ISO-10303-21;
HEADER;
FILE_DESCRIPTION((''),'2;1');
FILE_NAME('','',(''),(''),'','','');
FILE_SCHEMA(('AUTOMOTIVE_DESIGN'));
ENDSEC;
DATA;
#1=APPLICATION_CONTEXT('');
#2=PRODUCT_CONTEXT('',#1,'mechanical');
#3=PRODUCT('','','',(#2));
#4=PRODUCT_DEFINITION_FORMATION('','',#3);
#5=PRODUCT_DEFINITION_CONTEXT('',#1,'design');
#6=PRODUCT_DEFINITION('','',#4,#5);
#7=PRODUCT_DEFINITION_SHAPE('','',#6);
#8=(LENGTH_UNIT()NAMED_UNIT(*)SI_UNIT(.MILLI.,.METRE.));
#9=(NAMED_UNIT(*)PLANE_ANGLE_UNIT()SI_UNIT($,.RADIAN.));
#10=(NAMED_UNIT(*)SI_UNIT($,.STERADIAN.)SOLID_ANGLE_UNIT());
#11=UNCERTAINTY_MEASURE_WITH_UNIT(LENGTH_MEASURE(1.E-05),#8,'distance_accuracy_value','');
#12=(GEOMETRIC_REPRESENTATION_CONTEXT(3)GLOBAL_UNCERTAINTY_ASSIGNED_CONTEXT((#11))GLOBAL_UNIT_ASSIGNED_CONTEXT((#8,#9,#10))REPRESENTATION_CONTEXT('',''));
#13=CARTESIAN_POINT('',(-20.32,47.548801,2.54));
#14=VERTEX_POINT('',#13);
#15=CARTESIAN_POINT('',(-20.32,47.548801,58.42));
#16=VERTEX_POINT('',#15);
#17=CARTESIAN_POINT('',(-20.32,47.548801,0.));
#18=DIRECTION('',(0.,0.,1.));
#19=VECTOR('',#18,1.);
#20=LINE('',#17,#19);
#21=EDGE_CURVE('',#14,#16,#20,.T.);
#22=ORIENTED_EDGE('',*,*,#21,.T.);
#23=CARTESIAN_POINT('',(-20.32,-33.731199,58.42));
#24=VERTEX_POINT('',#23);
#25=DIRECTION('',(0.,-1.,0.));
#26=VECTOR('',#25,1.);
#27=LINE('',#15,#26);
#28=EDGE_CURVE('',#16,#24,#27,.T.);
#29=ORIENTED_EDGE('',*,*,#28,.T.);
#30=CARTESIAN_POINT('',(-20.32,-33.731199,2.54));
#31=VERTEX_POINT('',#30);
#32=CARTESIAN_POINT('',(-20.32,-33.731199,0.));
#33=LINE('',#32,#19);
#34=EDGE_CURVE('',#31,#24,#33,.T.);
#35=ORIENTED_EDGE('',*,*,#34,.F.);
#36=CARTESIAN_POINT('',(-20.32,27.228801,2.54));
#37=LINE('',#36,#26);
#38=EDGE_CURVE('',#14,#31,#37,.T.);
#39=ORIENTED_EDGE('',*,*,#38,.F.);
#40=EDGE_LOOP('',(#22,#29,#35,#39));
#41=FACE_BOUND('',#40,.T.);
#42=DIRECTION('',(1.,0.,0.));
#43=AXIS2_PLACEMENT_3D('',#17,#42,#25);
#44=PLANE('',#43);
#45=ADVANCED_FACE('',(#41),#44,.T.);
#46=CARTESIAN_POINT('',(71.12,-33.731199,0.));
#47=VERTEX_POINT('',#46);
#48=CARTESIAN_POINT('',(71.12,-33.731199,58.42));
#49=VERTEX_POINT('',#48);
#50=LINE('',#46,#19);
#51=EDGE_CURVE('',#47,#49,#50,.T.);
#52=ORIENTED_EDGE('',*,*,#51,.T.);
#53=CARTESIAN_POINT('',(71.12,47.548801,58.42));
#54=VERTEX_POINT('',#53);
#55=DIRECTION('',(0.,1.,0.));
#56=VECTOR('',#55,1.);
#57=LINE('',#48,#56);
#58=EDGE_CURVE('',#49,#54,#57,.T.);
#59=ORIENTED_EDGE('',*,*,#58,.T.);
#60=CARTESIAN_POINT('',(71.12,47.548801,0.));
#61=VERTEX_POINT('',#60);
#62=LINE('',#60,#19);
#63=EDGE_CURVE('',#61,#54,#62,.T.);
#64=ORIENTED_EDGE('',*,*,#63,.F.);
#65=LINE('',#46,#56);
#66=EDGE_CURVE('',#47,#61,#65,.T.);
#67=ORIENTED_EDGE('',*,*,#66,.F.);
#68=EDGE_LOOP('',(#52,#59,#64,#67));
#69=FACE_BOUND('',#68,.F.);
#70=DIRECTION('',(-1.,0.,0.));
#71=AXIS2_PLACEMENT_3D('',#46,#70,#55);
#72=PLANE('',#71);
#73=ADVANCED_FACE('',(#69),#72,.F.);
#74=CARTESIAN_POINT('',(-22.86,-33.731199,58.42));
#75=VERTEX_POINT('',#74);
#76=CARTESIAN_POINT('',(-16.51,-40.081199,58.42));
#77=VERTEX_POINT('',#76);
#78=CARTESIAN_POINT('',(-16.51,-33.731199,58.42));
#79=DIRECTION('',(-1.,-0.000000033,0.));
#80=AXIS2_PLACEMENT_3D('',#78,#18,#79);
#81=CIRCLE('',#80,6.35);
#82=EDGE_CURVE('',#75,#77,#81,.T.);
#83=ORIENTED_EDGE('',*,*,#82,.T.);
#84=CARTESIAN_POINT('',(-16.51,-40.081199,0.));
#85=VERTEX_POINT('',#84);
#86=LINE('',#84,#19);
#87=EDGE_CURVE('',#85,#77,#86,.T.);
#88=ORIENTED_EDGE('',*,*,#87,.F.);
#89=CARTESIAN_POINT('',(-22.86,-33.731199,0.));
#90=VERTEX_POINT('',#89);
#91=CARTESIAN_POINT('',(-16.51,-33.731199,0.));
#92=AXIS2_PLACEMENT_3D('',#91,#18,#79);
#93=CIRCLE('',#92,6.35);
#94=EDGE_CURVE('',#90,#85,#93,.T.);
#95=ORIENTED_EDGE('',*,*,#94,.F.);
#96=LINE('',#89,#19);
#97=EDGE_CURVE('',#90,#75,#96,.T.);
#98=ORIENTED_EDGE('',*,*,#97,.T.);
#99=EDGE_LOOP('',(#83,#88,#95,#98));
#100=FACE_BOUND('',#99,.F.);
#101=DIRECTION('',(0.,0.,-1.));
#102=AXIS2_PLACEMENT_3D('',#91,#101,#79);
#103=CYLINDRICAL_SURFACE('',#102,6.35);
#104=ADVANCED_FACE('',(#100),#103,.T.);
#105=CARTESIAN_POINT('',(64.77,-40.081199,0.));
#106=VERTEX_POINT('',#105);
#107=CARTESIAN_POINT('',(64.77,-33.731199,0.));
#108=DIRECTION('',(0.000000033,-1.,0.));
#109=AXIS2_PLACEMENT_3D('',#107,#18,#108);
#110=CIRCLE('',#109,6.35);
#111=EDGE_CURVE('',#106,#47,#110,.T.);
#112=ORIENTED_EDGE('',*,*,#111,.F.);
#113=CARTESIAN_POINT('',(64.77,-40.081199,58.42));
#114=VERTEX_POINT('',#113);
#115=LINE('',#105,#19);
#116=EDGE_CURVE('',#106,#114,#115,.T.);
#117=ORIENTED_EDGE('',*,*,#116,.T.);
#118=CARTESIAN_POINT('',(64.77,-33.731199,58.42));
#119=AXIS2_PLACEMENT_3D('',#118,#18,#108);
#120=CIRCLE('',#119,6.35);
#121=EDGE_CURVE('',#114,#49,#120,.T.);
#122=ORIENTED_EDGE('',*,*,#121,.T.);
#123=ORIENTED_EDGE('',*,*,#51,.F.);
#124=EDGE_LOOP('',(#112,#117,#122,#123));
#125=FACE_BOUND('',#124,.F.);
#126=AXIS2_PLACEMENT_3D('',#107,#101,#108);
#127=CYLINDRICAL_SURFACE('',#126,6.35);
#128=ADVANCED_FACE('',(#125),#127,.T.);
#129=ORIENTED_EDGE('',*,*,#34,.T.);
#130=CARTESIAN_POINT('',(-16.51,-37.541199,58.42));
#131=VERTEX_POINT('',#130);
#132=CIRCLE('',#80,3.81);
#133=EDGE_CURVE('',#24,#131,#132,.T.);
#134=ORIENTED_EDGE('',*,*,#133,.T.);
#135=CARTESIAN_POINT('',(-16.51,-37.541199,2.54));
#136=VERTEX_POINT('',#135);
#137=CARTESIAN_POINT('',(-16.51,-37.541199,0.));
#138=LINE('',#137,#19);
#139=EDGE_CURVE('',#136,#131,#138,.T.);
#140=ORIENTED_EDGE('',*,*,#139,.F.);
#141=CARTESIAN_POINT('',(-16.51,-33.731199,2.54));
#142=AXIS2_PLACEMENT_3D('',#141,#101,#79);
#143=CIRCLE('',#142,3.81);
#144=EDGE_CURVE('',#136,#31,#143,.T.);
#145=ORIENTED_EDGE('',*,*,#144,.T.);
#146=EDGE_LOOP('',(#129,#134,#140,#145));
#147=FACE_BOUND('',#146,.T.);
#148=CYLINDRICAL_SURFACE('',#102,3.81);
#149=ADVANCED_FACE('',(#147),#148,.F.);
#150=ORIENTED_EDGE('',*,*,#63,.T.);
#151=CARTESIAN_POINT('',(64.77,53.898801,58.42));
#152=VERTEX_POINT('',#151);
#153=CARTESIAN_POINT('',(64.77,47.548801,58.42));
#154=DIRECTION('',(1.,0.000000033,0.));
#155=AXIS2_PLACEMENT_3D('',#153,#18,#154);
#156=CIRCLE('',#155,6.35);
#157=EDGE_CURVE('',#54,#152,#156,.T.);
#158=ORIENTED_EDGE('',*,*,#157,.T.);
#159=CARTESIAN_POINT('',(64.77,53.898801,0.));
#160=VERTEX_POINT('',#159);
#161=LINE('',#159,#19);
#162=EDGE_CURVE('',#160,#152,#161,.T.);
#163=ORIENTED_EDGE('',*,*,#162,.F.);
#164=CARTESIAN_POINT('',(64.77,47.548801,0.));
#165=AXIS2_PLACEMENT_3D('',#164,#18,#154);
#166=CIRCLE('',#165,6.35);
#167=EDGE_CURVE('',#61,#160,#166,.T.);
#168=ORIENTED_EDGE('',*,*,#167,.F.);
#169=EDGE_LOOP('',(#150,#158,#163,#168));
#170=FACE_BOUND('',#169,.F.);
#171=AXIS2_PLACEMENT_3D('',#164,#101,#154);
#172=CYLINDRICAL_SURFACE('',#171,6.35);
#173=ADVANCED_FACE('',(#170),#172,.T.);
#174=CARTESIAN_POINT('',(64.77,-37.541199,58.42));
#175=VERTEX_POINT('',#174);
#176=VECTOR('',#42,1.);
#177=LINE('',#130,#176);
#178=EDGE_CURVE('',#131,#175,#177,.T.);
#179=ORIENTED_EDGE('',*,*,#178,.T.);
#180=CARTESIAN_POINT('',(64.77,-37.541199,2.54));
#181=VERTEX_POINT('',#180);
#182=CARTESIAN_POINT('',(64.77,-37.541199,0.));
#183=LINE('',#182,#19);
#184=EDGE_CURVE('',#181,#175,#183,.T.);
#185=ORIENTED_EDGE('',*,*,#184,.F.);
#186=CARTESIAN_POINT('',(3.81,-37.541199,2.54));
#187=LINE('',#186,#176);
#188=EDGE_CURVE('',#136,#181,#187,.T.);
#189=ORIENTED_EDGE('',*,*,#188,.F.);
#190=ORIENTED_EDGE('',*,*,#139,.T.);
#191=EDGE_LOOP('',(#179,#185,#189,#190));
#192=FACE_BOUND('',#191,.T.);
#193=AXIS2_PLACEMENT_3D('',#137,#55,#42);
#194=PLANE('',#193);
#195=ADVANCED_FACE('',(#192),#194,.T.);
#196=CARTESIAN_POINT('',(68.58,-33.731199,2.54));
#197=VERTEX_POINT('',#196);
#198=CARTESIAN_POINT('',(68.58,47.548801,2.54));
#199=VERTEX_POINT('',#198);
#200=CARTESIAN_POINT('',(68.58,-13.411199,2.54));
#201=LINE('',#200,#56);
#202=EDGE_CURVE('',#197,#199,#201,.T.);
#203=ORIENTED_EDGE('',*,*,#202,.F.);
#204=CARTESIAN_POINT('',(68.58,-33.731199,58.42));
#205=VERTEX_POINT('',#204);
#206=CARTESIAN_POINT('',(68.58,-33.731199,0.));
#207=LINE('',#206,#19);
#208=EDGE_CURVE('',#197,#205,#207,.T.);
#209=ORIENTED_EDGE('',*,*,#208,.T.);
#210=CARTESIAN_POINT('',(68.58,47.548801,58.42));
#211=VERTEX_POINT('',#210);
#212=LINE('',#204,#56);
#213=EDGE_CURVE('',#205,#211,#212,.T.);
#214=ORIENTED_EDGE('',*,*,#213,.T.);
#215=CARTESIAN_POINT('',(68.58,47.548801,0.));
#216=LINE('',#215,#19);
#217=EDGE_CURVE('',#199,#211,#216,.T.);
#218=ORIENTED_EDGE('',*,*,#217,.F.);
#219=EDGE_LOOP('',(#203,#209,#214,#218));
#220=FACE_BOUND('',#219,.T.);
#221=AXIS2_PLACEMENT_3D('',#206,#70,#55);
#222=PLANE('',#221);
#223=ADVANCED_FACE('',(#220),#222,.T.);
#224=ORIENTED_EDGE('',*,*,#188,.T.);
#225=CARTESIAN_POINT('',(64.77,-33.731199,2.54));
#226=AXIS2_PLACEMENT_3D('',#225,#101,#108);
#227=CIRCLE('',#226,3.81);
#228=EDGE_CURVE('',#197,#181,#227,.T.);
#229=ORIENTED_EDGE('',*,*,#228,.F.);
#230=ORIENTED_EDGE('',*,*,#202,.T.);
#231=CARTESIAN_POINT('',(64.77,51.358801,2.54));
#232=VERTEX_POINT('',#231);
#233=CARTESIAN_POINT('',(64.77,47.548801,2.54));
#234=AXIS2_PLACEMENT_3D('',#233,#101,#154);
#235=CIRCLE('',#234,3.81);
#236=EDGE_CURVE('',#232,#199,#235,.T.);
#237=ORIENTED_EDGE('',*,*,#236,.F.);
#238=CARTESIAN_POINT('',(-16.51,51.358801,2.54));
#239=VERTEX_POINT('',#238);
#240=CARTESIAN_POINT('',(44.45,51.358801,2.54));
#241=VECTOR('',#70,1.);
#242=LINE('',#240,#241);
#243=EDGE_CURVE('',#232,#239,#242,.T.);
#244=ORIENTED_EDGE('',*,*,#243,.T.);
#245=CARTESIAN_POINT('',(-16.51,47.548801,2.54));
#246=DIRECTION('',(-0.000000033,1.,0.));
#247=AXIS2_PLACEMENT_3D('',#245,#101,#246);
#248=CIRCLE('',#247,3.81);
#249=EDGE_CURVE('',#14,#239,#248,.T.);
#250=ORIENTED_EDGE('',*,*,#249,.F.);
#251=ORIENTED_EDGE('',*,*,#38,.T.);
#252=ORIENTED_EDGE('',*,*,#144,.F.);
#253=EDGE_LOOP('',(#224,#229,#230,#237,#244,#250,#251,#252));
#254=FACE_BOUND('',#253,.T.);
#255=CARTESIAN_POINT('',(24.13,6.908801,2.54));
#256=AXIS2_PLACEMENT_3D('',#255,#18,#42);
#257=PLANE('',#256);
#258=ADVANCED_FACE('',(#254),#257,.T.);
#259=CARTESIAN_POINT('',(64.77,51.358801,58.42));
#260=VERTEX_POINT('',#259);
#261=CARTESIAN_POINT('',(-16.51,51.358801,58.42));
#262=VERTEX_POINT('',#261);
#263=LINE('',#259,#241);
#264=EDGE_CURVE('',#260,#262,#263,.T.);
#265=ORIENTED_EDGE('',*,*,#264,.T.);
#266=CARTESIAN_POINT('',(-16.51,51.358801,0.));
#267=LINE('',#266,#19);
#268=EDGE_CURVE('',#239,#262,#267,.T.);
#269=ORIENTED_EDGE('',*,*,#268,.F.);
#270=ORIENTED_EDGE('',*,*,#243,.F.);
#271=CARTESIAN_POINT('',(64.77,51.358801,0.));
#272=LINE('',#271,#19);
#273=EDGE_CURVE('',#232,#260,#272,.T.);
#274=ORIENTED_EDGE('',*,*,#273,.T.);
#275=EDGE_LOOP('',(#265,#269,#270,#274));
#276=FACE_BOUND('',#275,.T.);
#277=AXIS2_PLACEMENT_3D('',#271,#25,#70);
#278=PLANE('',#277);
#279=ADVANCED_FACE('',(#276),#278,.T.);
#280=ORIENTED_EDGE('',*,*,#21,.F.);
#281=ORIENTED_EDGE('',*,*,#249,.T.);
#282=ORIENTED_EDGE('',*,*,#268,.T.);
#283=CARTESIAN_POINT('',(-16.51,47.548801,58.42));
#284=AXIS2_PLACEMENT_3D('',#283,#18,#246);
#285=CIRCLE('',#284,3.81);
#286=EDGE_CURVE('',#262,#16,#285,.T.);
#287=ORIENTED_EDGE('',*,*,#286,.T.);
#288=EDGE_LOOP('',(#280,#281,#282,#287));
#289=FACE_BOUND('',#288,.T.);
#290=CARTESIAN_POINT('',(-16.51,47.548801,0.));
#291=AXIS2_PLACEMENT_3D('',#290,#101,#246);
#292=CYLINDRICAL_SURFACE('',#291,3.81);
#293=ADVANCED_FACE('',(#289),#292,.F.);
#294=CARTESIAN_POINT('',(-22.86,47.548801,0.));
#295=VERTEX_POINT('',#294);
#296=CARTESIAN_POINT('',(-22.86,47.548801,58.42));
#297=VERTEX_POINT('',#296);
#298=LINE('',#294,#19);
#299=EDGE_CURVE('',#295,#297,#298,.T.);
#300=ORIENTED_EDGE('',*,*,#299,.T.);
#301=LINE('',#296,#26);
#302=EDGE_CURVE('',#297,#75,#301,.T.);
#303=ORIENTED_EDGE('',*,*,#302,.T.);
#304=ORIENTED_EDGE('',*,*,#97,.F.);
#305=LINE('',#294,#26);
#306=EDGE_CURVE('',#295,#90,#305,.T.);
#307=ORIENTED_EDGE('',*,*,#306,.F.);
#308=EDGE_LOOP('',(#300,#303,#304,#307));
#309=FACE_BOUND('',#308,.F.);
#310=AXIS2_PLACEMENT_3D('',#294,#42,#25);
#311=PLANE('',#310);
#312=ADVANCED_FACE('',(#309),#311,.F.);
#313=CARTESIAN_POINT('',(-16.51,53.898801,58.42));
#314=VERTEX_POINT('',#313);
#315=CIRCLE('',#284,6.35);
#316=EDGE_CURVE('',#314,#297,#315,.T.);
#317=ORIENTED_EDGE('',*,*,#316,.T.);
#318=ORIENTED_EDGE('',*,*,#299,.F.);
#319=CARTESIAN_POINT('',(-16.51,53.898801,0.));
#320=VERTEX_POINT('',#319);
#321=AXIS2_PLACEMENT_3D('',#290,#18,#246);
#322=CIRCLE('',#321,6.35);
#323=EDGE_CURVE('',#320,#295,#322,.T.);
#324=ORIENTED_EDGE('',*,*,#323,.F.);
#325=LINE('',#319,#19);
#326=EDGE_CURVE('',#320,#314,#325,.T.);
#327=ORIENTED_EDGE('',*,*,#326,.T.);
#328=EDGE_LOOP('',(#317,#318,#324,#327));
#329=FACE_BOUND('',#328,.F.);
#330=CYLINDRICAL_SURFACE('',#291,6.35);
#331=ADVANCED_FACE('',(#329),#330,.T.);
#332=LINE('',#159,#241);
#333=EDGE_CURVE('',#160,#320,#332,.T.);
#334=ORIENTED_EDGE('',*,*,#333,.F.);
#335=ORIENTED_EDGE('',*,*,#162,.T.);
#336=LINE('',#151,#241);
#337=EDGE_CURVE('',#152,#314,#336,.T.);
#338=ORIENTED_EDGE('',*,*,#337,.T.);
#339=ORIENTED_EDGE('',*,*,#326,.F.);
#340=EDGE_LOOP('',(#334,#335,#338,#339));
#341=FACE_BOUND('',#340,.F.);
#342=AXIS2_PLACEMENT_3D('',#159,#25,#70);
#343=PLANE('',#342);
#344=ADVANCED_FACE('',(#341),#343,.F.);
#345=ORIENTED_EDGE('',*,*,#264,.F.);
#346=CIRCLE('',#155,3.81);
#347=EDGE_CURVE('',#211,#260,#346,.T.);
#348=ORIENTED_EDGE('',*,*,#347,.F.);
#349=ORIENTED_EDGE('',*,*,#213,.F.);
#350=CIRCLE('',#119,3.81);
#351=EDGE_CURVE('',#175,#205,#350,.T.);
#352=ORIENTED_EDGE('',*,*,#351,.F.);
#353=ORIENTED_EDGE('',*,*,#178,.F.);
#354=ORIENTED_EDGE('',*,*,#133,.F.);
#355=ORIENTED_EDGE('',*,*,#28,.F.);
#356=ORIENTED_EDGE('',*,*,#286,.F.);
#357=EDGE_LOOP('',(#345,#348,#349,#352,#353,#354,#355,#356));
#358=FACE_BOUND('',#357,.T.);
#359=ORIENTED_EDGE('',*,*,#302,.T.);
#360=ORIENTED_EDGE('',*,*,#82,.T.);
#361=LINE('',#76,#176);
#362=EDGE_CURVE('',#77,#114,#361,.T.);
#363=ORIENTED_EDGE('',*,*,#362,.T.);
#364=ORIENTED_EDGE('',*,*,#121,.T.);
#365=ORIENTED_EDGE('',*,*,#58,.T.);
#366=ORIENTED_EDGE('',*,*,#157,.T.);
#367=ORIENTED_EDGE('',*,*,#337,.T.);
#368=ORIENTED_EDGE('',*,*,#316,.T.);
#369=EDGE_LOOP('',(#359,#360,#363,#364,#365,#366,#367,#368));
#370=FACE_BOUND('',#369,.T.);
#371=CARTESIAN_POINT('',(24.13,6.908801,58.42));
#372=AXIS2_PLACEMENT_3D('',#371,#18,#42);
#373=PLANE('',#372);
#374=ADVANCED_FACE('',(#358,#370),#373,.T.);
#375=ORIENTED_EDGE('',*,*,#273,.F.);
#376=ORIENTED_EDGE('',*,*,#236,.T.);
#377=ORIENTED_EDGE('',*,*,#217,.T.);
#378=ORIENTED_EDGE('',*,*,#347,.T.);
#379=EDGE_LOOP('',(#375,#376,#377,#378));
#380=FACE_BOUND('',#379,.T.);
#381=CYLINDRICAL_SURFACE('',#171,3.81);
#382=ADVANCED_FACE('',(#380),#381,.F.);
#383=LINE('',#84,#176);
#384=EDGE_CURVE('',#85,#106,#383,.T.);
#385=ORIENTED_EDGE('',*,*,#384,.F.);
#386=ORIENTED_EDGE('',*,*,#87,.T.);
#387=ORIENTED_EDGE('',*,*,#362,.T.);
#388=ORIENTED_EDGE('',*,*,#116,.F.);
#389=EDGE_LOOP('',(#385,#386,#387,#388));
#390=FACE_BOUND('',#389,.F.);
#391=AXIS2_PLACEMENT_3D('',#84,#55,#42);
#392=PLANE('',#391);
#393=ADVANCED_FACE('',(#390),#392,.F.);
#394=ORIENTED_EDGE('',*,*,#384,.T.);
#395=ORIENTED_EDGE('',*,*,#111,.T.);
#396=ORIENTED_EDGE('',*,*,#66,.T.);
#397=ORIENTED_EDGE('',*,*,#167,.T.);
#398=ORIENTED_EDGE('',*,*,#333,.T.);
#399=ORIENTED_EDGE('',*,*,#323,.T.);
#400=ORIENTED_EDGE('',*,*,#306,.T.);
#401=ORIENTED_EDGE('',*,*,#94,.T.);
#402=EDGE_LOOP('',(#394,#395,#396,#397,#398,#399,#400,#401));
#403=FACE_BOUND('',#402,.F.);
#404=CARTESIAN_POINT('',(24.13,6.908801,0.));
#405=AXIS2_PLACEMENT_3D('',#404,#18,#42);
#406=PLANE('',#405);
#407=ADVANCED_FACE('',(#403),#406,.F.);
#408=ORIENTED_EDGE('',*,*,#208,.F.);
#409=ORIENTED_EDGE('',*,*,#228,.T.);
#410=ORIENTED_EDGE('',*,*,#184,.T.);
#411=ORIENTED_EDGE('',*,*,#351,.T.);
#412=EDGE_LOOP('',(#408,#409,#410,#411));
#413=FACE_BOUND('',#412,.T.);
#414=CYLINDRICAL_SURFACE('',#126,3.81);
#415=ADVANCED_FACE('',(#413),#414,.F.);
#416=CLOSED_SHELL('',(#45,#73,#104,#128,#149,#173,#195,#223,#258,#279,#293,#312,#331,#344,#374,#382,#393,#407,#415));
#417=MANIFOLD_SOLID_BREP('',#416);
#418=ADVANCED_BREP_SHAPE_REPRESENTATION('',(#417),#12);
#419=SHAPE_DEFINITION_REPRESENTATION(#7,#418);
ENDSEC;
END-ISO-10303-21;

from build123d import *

# Parameters (mm, degrees)
F1_DEPTH = 58.42
F2_T     = -2.54


with BuildPart() as f1:
    # F0 (on Top) → F1 (new body)
    with BuildSketch(Plane.XY):
        with BuildLine():
            Line((64.77, 53.898801), (-16.51, 53.898801))
            ThreePointArc((-16.51, 53.898801), (-21.000128, 52.038929), (-22.86, 47.548801))
            Line((-22.86, 47.548801), (-22.86, -33.731199))
            ThreePointArc((-22.86, -33.731199), (-21.000128, -38.221327), (-16.51, -40.081199))
            Line((-16.51, -40.081199), (64.77, -40.081199))
            ThreePointArc((64.77, -40.081199), (69.260128, -38.221327), (71.12, -33.731199))
            Line((71.12, -33.731199), (71.12, 47.548801))
            ThreePointArc((71.12, 47.548801), (69.260128, 52.038929), (64.77, 53.898801))
        make_face()
    extrude(amount=F1_DEPTH)

    # F2
    f2_openings = [f1.faces().sort_by_distance(p)[0] for p in [
        (24.13, 6.908801, 58.42),
    ]]
    offset(amount=F2_T, openings=f2_openings)


solid = f1.part
